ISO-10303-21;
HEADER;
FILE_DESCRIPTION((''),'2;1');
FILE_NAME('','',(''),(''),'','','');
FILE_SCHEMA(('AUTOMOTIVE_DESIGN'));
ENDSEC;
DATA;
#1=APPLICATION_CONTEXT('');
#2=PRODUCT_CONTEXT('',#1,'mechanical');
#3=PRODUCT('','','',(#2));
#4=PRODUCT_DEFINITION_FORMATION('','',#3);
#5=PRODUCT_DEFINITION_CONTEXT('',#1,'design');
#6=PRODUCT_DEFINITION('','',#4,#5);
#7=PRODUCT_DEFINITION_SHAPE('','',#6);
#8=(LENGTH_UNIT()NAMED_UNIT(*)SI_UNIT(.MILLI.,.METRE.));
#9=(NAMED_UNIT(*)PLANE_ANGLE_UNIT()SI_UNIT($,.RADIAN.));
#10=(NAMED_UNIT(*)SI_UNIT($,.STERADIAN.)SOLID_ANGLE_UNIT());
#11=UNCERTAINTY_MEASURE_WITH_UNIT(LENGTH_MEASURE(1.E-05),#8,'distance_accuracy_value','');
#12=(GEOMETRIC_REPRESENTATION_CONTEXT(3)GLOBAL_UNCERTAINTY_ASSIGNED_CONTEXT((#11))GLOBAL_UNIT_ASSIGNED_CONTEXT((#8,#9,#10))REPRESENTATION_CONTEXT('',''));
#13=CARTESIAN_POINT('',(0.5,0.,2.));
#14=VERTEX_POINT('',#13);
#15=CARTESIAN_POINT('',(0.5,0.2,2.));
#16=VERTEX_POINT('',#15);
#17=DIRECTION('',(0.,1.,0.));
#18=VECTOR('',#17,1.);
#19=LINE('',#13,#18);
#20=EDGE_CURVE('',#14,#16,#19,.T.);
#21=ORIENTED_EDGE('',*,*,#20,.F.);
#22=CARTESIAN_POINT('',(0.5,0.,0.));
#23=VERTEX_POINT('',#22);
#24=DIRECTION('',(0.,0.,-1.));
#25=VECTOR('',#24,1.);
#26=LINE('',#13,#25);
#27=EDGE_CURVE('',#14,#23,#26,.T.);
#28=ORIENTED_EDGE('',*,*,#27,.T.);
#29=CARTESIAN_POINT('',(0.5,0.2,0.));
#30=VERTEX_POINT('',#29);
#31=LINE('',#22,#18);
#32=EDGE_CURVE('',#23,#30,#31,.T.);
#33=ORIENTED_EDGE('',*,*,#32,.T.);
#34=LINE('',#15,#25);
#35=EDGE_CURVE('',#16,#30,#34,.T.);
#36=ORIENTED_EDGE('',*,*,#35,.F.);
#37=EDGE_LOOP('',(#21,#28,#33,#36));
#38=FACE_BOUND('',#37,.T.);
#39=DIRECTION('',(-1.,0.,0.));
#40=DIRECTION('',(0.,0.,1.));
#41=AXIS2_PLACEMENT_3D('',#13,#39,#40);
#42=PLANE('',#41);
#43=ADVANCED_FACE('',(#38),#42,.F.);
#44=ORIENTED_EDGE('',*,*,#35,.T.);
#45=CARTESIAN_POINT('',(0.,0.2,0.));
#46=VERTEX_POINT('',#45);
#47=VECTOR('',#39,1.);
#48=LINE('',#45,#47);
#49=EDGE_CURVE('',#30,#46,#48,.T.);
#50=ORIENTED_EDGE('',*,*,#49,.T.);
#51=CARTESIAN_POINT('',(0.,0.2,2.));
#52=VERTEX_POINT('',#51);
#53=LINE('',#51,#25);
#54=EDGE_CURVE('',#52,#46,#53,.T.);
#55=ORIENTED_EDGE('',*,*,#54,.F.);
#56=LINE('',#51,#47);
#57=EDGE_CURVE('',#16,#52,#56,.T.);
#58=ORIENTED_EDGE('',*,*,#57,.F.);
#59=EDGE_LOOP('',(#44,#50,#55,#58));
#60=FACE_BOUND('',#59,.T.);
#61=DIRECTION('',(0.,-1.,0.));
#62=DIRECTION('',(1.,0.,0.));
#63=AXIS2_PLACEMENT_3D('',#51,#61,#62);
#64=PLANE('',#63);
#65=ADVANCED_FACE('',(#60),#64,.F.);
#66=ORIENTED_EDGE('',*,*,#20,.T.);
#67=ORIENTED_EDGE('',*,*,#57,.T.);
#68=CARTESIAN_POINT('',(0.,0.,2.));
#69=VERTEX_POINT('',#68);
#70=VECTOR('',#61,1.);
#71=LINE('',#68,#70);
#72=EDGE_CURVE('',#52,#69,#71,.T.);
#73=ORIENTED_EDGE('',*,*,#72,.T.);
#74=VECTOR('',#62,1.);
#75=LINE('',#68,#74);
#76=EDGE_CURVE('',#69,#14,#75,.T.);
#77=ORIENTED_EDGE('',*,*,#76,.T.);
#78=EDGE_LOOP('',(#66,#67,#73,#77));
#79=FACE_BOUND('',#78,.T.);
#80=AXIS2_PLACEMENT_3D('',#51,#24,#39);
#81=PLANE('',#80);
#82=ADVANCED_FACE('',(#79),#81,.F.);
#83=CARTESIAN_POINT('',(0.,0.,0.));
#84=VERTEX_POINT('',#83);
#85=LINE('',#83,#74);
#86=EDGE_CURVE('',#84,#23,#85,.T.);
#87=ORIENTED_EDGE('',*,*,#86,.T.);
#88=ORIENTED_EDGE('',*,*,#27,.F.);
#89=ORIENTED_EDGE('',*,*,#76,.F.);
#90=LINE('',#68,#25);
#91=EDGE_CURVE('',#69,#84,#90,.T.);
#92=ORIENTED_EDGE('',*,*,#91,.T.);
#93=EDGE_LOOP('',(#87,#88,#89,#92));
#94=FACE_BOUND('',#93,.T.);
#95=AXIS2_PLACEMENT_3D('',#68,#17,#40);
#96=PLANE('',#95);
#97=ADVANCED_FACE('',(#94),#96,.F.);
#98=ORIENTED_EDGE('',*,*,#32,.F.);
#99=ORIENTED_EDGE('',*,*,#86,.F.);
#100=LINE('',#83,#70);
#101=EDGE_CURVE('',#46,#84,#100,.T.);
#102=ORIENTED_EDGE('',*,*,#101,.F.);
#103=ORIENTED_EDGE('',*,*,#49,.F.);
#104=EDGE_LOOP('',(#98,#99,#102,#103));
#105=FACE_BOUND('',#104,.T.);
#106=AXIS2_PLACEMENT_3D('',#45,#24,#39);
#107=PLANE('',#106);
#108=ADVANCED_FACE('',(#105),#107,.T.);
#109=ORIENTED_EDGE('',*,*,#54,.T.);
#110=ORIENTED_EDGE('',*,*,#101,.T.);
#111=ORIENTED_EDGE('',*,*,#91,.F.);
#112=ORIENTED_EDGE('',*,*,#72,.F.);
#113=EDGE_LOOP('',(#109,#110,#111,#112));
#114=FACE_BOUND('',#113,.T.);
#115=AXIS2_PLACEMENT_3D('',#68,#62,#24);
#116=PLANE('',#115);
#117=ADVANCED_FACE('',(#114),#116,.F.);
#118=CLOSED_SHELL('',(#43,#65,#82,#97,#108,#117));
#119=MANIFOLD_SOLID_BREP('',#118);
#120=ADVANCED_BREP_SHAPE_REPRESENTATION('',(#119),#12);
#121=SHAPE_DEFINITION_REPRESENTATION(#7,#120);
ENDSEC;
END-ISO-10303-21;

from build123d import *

# Parameters (mm, degrees)
CROQUIS1_W              = 0.5
CROQUIS1_H              = 0.2
SALIENTE_EXTRUIR1_DEPTH = 2


with BuildPart() as part:
    # Croquis1 → Saliente-Extruir1 (new body)
    with BuildSketch(Plane.XY):
        with Locations((0.25, 0.1)):
            Rectangle(CROQUIS1_W, CROQUIS1_H)
    extrude(amount=SALIENTE_EXTRUIR1_DEPTH)


solid = part.part
